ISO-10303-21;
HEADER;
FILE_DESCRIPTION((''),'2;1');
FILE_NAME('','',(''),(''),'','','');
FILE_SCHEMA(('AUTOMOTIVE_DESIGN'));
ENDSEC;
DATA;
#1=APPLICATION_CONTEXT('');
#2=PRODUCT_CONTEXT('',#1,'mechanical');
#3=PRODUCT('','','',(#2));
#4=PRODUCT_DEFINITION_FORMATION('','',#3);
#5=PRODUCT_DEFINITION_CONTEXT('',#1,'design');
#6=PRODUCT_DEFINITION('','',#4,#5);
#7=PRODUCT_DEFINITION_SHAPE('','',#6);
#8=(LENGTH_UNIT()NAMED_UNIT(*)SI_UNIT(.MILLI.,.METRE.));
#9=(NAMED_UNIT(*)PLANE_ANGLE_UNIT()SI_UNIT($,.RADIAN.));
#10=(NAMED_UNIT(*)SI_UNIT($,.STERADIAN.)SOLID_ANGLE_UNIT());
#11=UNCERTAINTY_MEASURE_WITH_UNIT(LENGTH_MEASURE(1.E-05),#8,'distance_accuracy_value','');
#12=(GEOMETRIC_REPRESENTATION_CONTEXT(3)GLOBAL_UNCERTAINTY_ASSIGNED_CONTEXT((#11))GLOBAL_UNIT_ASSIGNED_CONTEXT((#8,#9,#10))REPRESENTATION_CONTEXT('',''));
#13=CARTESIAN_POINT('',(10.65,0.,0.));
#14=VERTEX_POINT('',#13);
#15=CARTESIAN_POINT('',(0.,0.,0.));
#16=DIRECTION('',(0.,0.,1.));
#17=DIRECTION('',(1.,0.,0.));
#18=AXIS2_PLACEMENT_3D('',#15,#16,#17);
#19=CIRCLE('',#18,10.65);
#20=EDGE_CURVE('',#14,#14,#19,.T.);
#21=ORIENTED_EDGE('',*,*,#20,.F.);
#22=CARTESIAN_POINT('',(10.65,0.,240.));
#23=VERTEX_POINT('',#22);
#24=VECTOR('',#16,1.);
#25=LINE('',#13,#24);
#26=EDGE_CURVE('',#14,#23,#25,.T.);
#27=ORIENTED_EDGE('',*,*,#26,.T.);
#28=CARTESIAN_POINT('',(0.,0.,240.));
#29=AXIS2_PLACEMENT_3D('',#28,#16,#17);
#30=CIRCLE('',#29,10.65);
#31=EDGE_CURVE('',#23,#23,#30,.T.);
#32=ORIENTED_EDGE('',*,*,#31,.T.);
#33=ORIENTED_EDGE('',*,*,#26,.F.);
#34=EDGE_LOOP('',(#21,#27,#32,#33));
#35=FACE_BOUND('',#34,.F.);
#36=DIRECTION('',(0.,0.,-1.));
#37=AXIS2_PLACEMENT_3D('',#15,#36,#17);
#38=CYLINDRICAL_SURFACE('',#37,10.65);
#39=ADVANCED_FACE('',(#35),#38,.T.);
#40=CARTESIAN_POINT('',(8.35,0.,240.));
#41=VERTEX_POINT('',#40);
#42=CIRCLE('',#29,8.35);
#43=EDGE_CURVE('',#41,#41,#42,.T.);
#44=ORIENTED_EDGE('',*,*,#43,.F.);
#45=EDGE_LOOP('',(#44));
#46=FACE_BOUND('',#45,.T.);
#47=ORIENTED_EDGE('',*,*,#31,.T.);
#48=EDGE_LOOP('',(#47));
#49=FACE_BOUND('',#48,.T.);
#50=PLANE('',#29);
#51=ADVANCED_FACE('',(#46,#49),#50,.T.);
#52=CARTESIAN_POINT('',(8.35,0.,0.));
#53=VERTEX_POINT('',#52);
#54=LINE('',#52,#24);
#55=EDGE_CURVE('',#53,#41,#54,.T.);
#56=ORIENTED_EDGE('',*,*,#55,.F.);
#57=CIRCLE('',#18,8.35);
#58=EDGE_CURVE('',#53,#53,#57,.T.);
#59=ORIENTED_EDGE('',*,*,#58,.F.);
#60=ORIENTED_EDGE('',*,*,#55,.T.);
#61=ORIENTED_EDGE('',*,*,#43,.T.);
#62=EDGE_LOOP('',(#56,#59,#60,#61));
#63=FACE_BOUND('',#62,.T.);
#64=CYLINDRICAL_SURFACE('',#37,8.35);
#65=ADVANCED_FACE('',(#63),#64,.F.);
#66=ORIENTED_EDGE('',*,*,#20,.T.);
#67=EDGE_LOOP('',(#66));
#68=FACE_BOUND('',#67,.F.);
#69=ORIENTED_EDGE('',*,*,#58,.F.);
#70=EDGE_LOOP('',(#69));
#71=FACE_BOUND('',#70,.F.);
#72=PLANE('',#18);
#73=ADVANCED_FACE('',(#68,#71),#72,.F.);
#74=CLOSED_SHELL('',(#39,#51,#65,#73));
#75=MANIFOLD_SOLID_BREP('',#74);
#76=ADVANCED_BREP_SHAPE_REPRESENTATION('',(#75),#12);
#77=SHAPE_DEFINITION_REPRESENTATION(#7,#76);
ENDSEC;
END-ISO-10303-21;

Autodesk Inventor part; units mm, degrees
ref_plane "YZ Plane" through (0, 0, 0) normal (1, 0, 0) x (0, 1, 0)
ref_plane "Начальная плоскость" through (0, 0, 0) normal (0, 0, 1) x (1, 0, 0)
ref_plane "Конечная плоскость" through (0, 0, 240) normal (0, 0, 1) x (1, 0, 0)
sketch "Эскиз" plane through (0, 0, 0) normal (0, 0, 1) x (1, 0, 0)
  circle A0 centre (0, 0) radius 8.35
  circle A1 centre (0, 0) radius 10.65
  dimension "d0" = 21.3
  dimension "d1" = 2.3
extrude "Тело" add sketch "Эскиз" along normal up to surface (240 mm away) from surface at 0
sketch "Sketch3" plane through (0, 0, 0) normal (0, 0, 1) x (1, 0, 0)
  line L0 (0, 0) -> (10, 0)
ref_plane "Work Plane3" through (0, 0, 0) normal (0, -1, 0) x (1, 0, 0)
sketch "Sketch4" plane through (0, 0, 0) normal (0, -1, 0) x (1, 0, 0)
  line L0 (-2, 0) -> (12, 0) projected
  line L1 (-2, 240) -> (12, 240) projected
  dimension "d7" = 240
equation "\"d0\" = G_H"
equation "\"d1\" = G_T"
equation "\"d2\" = G_L"
equation "\"G_H\" = 21.3"
equation "\"G_T\" = 2.3"
equation "\"G_L\" = d7"
equation "\"G_OFFSET_START\" = 0"
equation "\"G_OFFSET_END\" = 0"
properties part number "DIN EN 10210-2 - 21,3 x 2,3 - 240" material "Сталь, мягкая"
